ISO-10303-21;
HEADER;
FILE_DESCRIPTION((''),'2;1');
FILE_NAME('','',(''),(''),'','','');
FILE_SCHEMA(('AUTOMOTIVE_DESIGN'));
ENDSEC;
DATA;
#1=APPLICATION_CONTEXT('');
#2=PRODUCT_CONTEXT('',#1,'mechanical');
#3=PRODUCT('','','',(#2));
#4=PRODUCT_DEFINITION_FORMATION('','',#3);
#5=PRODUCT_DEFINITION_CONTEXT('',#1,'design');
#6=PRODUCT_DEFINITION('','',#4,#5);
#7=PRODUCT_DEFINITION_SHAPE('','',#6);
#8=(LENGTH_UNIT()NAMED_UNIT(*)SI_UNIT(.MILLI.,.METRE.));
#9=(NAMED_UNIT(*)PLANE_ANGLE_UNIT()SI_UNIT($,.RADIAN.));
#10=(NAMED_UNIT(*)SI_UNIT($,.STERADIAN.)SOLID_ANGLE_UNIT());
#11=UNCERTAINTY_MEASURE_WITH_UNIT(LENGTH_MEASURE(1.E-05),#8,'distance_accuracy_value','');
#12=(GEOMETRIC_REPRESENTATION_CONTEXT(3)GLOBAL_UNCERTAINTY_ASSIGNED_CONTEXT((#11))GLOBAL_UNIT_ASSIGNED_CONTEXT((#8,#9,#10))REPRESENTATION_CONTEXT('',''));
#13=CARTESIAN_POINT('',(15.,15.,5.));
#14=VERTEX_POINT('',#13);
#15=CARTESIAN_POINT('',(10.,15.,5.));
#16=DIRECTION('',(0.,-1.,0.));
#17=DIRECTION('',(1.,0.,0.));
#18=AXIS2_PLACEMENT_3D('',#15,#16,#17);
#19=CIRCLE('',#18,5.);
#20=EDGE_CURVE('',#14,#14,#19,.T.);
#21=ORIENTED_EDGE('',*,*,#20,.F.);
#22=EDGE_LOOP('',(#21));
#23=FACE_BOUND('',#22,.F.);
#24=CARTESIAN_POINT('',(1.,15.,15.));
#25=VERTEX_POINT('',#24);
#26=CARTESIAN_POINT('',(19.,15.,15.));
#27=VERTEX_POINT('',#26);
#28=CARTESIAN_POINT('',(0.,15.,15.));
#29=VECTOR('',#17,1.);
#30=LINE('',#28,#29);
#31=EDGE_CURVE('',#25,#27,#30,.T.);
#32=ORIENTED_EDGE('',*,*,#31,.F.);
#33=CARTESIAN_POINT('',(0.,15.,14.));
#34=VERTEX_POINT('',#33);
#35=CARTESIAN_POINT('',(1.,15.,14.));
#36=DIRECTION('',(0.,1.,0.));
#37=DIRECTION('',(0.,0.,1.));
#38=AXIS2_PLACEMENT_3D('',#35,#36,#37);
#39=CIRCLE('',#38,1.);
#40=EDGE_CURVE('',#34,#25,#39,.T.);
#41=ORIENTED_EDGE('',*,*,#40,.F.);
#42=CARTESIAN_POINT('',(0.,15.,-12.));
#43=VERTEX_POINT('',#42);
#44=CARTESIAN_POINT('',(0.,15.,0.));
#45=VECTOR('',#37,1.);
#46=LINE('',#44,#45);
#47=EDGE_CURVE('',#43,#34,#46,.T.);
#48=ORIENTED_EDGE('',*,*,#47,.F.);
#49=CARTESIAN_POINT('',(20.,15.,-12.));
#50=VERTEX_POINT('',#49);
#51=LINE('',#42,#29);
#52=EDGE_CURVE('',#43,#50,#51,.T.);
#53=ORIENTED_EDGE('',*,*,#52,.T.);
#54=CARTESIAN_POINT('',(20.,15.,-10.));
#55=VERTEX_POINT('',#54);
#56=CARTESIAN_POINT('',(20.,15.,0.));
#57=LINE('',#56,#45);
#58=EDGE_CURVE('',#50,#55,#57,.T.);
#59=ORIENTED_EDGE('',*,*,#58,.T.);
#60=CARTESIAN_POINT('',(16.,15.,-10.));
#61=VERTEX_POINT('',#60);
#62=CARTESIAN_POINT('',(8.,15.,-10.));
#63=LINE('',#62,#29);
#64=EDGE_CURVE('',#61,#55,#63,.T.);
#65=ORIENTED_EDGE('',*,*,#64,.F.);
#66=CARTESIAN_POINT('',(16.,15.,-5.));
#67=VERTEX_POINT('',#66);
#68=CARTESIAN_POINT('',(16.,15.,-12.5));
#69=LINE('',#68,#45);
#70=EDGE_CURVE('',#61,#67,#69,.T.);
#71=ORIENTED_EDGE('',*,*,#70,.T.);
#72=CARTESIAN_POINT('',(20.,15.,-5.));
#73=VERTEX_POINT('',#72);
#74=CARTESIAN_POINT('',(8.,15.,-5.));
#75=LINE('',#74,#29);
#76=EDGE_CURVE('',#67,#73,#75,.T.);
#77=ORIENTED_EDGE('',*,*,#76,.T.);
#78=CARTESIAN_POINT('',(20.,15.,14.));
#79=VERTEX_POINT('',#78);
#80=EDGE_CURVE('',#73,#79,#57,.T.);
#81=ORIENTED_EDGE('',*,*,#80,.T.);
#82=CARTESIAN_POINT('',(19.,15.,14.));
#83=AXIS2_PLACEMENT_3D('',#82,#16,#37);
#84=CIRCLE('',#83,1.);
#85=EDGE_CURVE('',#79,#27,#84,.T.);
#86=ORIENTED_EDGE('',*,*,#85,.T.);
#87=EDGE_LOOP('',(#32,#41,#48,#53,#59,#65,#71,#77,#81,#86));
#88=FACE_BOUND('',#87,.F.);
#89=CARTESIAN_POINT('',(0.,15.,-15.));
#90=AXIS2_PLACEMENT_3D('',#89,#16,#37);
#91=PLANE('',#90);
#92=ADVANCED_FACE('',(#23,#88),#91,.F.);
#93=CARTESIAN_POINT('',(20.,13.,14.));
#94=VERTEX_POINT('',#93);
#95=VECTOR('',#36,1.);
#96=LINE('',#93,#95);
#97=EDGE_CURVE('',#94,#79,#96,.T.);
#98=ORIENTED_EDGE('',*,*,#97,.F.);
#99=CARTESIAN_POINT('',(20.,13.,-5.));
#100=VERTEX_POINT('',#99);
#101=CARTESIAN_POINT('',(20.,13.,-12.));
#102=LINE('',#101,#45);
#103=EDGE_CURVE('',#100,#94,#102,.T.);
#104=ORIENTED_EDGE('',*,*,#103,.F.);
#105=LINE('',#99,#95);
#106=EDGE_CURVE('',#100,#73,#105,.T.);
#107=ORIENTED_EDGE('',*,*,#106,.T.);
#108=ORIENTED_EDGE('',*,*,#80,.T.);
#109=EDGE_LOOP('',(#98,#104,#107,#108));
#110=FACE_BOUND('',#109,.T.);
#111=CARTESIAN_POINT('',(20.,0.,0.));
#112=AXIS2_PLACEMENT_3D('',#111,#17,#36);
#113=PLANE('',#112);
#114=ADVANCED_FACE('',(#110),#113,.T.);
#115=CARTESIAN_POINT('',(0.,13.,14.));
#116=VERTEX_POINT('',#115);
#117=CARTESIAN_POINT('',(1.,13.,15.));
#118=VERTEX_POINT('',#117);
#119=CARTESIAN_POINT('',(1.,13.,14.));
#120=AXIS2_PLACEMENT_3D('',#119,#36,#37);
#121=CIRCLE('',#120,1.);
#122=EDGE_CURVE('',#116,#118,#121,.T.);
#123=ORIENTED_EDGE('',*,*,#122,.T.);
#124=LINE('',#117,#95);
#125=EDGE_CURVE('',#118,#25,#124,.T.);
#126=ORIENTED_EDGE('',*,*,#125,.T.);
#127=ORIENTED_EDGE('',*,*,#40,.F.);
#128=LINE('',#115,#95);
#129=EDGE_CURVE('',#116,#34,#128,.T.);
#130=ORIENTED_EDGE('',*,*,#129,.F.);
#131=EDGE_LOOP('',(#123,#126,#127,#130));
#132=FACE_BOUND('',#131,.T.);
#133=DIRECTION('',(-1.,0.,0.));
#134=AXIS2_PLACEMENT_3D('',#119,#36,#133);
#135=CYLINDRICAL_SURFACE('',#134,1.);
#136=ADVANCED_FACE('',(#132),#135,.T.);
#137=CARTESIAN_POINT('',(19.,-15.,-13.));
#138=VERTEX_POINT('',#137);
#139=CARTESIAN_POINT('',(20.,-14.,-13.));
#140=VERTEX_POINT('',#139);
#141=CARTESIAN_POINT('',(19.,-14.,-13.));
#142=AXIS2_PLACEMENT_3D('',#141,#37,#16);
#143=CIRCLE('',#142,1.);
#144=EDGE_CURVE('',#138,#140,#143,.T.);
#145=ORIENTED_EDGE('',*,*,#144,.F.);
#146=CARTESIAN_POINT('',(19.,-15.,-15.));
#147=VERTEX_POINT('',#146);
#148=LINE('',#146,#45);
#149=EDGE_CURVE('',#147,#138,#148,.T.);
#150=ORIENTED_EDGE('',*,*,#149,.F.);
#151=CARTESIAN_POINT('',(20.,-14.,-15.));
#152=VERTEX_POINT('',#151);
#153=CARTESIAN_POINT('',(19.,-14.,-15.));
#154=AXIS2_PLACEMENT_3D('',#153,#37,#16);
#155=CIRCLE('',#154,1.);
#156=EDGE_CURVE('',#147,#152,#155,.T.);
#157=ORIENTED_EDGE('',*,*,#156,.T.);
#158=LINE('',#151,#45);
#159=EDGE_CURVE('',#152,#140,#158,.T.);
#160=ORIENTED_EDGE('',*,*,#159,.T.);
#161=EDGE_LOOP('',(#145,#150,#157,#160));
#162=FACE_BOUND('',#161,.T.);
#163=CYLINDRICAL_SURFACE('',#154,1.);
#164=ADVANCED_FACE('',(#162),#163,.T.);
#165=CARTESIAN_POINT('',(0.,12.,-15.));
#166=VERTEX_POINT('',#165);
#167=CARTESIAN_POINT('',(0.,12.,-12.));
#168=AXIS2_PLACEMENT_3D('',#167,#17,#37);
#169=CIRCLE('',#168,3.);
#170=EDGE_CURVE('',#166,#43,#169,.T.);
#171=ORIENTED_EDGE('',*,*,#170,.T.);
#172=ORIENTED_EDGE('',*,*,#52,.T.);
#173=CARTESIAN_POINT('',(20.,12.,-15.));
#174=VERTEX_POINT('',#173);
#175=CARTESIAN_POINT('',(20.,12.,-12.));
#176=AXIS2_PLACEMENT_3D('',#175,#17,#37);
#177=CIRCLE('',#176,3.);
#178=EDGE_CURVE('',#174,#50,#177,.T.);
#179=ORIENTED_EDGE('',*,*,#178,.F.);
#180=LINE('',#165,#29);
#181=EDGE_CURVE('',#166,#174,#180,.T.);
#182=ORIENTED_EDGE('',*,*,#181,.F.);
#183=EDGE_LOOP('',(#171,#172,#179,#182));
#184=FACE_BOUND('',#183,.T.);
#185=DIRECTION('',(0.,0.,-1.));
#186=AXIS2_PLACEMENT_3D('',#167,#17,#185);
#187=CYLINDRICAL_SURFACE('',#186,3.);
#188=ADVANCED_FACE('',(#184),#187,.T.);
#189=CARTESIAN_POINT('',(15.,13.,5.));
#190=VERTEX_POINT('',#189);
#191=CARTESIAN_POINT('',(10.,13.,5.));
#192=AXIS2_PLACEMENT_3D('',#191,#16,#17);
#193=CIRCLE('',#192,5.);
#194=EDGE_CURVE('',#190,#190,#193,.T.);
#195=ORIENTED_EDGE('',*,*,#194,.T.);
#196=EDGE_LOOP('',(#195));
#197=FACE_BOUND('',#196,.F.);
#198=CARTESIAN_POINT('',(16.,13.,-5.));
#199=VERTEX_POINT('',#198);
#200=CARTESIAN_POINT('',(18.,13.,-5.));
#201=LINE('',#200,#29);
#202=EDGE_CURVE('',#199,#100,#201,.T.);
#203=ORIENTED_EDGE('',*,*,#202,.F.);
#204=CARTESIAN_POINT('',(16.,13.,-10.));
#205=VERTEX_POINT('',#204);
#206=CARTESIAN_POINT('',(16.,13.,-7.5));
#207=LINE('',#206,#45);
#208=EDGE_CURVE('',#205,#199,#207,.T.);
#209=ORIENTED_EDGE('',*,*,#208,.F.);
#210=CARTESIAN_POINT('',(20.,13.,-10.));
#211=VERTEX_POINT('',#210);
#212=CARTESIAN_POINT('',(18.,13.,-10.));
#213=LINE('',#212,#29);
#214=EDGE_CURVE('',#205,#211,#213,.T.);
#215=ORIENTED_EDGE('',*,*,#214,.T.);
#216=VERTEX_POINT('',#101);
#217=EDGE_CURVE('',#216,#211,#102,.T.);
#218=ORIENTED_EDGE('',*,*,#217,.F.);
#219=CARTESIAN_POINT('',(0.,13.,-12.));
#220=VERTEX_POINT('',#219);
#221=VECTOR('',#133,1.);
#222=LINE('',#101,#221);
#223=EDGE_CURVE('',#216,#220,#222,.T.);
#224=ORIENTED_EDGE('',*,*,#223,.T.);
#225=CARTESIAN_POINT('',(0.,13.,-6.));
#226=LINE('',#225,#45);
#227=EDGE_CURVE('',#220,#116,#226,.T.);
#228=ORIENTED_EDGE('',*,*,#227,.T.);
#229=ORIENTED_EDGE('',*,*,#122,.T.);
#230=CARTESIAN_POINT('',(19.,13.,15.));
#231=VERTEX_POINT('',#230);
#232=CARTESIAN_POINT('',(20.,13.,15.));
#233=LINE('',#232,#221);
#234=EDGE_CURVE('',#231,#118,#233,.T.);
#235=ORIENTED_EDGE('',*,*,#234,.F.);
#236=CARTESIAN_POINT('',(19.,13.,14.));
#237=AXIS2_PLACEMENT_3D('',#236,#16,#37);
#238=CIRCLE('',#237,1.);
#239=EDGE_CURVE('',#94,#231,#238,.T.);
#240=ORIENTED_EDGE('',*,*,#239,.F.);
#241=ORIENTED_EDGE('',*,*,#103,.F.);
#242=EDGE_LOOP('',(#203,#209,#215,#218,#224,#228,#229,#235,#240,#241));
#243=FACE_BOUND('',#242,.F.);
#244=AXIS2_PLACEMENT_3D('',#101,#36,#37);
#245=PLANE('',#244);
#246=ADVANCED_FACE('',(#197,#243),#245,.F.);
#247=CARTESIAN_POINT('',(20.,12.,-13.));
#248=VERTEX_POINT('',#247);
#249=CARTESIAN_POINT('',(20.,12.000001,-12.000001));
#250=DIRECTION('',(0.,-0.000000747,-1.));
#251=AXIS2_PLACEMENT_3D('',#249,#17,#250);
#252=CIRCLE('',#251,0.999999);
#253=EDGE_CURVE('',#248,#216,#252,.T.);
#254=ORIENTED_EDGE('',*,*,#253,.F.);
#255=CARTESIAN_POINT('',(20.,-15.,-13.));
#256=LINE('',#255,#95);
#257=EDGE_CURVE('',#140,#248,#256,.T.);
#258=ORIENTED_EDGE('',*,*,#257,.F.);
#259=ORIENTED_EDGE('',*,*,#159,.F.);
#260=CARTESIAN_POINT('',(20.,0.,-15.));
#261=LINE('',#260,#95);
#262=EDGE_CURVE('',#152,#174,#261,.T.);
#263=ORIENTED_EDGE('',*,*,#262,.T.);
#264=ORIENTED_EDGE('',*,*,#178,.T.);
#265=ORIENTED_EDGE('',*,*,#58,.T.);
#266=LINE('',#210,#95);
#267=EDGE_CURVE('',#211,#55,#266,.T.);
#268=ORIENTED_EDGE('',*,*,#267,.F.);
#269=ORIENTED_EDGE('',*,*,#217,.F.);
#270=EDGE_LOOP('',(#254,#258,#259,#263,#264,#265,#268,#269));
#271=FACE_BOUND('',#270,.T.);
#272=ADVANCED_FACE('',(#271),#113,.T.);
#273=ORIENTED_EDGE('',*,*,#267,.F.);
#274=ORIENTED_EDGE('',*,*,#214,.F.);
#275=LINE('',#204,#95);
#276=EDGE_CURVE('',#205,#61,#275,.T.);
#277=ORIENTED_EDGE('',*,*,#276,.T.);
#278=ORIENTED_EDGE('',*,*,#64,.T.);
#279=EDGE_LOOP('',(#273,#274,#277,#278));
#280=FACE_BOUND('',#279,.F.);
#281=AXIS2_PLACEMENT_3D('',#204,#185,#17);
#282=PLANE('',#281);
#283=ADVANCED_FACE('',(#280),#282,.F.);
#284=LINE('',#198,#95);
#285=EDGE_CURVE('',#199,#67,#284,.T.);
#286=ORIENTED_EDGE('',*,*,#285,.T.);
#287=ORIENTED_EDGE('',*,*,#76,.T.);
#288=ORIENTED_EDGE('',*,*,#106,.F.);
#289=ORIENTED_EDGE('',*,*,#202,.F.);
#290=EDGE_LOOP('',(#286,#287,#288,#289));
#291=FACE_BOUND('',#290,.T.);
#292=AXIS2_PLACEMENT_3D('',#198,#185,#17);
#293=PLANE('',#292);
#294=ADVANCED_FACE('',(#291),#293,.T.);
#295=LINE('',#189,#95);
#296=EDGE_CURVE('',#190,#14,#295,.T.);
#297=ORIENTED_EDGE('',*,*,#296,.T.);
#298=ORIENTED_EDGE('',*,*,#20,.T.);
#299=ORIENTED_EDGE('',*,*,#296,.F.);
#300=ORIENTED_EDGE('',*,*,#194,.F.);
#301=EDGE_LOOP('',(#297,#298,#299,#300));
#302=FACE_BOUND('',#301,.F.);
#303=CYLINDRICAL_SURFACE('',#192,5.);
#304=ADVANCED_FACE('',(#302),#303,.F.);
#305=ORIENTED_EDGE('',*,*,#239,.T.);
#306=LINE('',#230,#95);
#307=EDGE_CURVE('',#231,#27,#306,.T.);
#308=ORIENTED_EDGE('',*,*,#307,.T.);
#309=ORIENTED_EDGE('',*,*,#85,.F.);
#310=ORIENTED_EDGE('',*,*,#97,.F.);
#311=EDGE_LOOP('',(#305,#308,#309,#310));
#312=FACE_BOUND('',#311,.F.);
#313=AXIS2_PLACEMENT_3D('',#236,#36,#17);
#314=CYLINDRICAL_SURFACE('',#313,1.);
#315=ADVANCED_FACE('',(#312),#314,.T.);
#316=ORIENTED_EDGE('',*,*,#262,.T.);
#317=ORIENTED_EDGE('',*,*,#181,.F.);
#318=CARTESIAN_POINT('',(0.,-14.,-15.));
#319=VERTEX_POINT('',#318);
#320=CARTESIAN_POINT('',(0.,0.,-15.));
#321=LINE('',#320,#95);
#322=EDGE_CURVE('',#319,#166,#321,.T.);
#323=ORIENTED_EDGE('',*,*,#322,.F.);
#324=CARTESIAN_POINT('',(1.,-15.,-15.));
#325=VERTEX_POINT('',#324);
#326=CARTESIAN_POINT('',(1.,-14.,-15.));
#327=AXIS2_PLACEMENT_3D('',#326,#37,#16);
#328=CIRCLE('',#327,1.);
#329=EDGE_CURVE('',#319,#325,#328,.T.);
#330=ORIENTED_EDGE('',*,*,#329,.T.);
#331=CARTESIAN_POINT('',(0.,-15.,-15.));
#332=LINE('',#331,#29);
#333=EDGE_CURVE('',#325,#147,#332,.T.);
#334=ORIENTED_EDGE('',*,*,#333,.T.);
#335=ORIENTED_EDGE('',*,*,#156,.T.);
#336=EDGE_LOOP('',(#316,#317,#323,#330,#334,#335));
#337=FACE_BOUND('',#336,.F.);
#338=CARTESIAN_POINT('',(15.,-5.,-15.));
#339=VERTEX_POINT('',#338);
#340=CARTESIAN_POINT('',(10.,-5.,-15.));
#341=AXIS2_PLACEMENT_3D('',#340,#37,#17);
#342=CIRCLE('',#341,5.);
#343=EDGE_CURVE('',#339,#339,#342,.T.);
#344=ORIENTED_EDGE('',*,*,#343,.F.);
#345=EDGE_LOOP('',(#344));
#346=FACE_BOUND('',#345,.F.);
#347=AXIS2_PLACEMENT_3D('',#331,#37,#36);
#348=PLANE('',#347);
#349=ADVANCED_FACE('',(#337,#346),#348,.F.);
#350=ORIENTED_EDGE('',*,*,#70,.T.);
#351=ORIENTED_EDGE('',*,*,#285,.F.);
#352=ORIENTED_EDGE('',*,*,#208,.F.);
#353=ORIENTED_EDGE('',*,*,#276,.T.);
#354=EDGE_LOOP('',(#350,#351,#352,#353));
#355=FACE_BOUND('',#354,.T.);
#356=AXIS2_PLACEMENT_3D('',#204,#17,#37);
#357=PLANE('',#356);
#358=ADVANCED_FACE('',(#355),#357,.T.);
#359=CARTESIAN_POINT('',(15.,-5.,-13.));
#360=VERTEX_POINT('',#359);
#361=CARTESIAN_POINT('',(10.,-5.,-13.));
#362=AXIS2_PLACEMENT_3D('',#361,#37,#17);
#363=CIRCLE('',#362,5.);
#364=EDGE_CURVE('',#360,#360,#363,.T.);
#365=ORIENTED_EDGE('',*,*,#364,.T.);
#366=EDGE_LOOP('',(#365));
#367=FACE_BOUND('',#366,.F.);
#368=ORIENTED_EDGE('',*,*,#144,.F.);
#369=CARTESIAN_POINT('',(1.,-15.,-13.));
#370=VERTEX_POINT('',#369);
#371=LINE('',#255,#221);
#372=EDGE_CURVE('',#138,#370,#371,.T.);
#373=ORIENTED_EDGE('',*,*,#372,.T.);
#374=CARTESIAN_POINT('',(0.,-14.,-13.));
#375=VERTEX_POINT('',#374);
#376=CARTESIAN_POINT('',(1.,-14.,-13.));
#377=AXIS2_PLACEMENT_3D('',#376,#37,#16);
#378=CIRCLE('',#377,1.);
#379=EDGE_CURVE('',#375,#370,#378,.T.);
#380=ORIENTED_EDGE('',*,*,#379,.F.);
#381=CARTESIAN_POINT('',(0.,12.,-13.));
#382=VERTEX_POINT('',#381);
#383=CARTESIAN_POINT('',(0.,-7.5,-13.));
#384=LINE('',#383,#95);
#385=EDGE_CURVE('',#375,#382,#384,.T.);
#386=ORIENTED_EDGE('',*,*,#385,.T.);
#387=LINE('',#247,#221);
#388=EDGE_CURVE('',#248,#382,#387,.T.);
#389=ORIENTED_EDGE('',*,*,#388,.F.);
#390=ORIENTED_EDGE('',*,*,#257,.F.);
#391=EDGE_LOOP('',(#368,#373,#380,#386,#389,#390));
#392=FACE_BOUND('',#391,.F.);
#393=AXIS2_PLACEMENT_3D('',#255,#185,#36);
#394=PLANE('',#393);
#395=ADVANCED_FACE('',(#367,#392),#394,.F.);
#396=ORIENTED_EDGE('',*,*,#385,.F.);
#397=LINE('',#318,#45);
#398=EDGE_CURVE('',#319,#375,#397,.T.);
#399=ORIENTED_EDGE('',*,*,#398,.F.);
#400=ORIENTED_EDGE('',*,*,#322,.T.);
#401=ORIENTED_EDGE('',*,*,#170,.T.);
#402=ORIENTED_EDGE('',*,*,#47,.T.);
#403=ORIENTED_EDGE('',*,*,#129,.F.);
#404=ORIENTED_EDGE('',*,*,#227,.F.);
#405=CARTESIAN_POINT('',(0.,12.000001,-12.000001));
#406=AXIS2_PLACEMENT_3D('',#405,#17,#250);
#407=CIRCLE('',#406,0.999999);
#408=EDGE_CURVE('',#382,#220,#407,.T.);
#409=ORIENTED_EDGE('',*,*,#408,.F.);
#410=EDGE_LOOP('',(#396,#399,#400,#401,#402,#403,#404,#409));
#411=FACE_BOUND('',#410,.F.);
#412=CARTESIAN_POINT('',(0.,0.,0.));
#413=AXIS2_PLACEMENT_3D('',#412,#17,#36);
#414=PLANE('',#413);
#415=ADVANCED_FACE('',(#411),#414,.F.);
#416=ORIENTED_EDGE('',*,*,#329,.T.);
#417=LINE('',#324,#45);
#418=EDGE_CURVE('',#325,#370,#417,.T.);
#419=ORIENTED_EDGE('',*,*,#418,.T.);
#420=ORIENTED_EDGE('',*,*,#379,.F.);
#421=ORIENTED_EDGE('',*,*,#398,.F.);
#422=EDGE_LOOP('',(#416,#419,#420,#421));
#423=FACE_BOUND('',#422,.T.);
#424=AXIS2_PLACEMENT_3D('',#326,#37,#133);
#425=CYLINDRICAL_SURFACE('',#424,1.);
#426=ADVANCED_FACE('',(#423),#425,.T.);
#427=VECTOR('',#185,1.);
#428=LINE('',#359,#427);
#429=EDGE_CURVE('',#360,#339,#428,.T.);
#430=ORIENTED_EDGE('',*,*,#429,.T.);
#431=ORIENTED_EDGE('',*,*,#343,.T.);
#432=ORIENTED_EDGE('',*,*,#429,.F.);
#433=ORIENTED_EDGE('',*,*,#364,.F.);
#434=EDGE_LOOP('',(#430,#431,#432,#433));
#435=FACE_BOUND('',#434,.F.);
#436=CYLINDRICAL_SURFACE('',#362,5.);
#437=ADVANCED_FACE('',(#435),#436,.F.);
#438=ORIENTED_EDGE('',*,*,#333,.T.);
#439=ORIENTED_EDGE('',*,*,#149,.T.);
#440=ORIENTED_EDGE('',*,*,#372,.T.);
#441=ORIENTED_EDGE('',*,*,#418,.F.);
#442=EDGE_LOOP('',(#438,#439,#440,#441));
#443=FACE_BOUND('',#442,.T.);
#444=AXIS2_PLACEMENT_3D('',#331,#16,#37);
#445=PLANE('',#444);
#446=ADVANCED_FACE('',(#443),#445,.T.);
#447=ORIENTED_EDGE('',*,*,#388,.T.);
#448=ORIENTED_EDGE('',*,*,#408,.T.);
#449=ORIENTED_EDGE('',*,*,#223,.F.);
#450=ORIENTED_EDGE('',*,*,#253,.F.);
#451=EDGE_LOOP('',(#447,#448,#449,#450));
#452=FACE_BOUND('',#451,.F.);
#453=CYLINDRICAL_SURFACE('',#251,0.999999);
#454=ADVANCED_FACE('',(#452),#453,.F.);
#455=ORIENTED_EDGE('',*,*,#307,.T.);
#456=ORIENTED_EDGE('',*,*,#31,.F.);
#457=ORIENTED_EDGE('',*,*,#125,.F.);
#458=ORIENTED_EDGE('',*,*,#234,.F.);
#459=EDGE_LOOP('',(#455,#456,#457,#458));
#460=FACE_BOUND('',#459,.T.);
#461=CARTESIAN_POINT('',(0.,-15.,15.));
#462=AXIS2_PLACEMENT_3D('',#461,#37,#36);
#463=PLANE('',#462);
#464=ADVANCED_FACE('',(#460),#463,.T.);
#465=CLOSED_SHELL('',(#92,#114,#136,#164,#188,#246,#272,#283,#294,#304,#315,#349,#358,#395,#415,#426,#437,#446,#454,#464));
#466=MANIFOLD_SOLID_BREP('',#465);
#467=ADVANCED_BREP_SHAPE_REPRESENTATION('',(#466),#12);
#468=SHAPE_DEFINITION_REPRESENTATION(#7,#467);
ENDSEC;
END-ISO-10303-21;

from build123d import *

# Parameters (mm, degrees)
F0_W      = 30
F0_H      = 30
F1_DEPTH  = 20
F2_R      = 3
F4_DEPTH  = 20.001
F5_R      = 1
F6_R      = 5
F7_DEPTH  = 2.001
F8_R      = 5
F9_DEPTH  = 2.001
F10_W     = 4
F10_H     = 5
F11_DEPTH = 2.001


with BuildPart() as f1:
    # F0 (on Right) → F1 (new body)
    with BuildSketch(Plane.YZ):
        Rectangle(F0_W, F0_H)
    extrude(amount=F1_DEPTH)

    # F2
    f2_edges = [f1.edges().sort_by_distance(p)[0] for p in [
        (10, 15, -15),
    ]]
    fillet(f2_edges, radius=F2_R)

    # F3 (on face) → F4 (cut, through all)
    with BuildSketch(Plane.YZ.offset(20)):
        with BuildLine():
            Line((-15, 15), (-15, -13))
            Line((-15, -13), (12, -13))
            ThreePointArc((12, -13), (12.707107, -12.707107), (13, -12))
            Line((13, -12), (13, 15))
            Line((13, 15), (-15, 15))
        make_face()
    extrude(amount=-F4_DEPTH, mode=Mode.SUBTRACT)

    # F5
    f5_edges = [f1.edges().sort_by_distance(p)[0] for p in [
        (20, -15, -14),
        (20, 14, 15),
        (0, 14, 15),
        (0, -15, -14),
    ]]
    fillet(f5_edges, radius=F5_R)

    # F6 (on face) → F7 (cut, through all)
    with BuildSketch(Plane.XY.offset(-13)):
        with Locations((10, -5)):
            Circle(F6_R)
    extrude(amount=-F7_DEPTH, mode=Mode.SUBTRACT)

    # F8 (on face) → F9 (cut, through all)
    with BuildSketch(Plane.XZ.offset(-13)):
        with Locations((10, 5)):
            Circle(F8_R)
    extrude(amount=-F9_DEPTH, mode=Mode.SUBTRACT)

    # F10 (on face) → F11 (cut, through all)
    with BuildSketch(Plane.XZ.offset(-13)):
        with Locations((18, -7.5)):
            Rectangle(F10_W, F10_H)
    extrude(amount=-F11_DEPTH, mode=Mode.SUBTRACT)


solid = f1.part
